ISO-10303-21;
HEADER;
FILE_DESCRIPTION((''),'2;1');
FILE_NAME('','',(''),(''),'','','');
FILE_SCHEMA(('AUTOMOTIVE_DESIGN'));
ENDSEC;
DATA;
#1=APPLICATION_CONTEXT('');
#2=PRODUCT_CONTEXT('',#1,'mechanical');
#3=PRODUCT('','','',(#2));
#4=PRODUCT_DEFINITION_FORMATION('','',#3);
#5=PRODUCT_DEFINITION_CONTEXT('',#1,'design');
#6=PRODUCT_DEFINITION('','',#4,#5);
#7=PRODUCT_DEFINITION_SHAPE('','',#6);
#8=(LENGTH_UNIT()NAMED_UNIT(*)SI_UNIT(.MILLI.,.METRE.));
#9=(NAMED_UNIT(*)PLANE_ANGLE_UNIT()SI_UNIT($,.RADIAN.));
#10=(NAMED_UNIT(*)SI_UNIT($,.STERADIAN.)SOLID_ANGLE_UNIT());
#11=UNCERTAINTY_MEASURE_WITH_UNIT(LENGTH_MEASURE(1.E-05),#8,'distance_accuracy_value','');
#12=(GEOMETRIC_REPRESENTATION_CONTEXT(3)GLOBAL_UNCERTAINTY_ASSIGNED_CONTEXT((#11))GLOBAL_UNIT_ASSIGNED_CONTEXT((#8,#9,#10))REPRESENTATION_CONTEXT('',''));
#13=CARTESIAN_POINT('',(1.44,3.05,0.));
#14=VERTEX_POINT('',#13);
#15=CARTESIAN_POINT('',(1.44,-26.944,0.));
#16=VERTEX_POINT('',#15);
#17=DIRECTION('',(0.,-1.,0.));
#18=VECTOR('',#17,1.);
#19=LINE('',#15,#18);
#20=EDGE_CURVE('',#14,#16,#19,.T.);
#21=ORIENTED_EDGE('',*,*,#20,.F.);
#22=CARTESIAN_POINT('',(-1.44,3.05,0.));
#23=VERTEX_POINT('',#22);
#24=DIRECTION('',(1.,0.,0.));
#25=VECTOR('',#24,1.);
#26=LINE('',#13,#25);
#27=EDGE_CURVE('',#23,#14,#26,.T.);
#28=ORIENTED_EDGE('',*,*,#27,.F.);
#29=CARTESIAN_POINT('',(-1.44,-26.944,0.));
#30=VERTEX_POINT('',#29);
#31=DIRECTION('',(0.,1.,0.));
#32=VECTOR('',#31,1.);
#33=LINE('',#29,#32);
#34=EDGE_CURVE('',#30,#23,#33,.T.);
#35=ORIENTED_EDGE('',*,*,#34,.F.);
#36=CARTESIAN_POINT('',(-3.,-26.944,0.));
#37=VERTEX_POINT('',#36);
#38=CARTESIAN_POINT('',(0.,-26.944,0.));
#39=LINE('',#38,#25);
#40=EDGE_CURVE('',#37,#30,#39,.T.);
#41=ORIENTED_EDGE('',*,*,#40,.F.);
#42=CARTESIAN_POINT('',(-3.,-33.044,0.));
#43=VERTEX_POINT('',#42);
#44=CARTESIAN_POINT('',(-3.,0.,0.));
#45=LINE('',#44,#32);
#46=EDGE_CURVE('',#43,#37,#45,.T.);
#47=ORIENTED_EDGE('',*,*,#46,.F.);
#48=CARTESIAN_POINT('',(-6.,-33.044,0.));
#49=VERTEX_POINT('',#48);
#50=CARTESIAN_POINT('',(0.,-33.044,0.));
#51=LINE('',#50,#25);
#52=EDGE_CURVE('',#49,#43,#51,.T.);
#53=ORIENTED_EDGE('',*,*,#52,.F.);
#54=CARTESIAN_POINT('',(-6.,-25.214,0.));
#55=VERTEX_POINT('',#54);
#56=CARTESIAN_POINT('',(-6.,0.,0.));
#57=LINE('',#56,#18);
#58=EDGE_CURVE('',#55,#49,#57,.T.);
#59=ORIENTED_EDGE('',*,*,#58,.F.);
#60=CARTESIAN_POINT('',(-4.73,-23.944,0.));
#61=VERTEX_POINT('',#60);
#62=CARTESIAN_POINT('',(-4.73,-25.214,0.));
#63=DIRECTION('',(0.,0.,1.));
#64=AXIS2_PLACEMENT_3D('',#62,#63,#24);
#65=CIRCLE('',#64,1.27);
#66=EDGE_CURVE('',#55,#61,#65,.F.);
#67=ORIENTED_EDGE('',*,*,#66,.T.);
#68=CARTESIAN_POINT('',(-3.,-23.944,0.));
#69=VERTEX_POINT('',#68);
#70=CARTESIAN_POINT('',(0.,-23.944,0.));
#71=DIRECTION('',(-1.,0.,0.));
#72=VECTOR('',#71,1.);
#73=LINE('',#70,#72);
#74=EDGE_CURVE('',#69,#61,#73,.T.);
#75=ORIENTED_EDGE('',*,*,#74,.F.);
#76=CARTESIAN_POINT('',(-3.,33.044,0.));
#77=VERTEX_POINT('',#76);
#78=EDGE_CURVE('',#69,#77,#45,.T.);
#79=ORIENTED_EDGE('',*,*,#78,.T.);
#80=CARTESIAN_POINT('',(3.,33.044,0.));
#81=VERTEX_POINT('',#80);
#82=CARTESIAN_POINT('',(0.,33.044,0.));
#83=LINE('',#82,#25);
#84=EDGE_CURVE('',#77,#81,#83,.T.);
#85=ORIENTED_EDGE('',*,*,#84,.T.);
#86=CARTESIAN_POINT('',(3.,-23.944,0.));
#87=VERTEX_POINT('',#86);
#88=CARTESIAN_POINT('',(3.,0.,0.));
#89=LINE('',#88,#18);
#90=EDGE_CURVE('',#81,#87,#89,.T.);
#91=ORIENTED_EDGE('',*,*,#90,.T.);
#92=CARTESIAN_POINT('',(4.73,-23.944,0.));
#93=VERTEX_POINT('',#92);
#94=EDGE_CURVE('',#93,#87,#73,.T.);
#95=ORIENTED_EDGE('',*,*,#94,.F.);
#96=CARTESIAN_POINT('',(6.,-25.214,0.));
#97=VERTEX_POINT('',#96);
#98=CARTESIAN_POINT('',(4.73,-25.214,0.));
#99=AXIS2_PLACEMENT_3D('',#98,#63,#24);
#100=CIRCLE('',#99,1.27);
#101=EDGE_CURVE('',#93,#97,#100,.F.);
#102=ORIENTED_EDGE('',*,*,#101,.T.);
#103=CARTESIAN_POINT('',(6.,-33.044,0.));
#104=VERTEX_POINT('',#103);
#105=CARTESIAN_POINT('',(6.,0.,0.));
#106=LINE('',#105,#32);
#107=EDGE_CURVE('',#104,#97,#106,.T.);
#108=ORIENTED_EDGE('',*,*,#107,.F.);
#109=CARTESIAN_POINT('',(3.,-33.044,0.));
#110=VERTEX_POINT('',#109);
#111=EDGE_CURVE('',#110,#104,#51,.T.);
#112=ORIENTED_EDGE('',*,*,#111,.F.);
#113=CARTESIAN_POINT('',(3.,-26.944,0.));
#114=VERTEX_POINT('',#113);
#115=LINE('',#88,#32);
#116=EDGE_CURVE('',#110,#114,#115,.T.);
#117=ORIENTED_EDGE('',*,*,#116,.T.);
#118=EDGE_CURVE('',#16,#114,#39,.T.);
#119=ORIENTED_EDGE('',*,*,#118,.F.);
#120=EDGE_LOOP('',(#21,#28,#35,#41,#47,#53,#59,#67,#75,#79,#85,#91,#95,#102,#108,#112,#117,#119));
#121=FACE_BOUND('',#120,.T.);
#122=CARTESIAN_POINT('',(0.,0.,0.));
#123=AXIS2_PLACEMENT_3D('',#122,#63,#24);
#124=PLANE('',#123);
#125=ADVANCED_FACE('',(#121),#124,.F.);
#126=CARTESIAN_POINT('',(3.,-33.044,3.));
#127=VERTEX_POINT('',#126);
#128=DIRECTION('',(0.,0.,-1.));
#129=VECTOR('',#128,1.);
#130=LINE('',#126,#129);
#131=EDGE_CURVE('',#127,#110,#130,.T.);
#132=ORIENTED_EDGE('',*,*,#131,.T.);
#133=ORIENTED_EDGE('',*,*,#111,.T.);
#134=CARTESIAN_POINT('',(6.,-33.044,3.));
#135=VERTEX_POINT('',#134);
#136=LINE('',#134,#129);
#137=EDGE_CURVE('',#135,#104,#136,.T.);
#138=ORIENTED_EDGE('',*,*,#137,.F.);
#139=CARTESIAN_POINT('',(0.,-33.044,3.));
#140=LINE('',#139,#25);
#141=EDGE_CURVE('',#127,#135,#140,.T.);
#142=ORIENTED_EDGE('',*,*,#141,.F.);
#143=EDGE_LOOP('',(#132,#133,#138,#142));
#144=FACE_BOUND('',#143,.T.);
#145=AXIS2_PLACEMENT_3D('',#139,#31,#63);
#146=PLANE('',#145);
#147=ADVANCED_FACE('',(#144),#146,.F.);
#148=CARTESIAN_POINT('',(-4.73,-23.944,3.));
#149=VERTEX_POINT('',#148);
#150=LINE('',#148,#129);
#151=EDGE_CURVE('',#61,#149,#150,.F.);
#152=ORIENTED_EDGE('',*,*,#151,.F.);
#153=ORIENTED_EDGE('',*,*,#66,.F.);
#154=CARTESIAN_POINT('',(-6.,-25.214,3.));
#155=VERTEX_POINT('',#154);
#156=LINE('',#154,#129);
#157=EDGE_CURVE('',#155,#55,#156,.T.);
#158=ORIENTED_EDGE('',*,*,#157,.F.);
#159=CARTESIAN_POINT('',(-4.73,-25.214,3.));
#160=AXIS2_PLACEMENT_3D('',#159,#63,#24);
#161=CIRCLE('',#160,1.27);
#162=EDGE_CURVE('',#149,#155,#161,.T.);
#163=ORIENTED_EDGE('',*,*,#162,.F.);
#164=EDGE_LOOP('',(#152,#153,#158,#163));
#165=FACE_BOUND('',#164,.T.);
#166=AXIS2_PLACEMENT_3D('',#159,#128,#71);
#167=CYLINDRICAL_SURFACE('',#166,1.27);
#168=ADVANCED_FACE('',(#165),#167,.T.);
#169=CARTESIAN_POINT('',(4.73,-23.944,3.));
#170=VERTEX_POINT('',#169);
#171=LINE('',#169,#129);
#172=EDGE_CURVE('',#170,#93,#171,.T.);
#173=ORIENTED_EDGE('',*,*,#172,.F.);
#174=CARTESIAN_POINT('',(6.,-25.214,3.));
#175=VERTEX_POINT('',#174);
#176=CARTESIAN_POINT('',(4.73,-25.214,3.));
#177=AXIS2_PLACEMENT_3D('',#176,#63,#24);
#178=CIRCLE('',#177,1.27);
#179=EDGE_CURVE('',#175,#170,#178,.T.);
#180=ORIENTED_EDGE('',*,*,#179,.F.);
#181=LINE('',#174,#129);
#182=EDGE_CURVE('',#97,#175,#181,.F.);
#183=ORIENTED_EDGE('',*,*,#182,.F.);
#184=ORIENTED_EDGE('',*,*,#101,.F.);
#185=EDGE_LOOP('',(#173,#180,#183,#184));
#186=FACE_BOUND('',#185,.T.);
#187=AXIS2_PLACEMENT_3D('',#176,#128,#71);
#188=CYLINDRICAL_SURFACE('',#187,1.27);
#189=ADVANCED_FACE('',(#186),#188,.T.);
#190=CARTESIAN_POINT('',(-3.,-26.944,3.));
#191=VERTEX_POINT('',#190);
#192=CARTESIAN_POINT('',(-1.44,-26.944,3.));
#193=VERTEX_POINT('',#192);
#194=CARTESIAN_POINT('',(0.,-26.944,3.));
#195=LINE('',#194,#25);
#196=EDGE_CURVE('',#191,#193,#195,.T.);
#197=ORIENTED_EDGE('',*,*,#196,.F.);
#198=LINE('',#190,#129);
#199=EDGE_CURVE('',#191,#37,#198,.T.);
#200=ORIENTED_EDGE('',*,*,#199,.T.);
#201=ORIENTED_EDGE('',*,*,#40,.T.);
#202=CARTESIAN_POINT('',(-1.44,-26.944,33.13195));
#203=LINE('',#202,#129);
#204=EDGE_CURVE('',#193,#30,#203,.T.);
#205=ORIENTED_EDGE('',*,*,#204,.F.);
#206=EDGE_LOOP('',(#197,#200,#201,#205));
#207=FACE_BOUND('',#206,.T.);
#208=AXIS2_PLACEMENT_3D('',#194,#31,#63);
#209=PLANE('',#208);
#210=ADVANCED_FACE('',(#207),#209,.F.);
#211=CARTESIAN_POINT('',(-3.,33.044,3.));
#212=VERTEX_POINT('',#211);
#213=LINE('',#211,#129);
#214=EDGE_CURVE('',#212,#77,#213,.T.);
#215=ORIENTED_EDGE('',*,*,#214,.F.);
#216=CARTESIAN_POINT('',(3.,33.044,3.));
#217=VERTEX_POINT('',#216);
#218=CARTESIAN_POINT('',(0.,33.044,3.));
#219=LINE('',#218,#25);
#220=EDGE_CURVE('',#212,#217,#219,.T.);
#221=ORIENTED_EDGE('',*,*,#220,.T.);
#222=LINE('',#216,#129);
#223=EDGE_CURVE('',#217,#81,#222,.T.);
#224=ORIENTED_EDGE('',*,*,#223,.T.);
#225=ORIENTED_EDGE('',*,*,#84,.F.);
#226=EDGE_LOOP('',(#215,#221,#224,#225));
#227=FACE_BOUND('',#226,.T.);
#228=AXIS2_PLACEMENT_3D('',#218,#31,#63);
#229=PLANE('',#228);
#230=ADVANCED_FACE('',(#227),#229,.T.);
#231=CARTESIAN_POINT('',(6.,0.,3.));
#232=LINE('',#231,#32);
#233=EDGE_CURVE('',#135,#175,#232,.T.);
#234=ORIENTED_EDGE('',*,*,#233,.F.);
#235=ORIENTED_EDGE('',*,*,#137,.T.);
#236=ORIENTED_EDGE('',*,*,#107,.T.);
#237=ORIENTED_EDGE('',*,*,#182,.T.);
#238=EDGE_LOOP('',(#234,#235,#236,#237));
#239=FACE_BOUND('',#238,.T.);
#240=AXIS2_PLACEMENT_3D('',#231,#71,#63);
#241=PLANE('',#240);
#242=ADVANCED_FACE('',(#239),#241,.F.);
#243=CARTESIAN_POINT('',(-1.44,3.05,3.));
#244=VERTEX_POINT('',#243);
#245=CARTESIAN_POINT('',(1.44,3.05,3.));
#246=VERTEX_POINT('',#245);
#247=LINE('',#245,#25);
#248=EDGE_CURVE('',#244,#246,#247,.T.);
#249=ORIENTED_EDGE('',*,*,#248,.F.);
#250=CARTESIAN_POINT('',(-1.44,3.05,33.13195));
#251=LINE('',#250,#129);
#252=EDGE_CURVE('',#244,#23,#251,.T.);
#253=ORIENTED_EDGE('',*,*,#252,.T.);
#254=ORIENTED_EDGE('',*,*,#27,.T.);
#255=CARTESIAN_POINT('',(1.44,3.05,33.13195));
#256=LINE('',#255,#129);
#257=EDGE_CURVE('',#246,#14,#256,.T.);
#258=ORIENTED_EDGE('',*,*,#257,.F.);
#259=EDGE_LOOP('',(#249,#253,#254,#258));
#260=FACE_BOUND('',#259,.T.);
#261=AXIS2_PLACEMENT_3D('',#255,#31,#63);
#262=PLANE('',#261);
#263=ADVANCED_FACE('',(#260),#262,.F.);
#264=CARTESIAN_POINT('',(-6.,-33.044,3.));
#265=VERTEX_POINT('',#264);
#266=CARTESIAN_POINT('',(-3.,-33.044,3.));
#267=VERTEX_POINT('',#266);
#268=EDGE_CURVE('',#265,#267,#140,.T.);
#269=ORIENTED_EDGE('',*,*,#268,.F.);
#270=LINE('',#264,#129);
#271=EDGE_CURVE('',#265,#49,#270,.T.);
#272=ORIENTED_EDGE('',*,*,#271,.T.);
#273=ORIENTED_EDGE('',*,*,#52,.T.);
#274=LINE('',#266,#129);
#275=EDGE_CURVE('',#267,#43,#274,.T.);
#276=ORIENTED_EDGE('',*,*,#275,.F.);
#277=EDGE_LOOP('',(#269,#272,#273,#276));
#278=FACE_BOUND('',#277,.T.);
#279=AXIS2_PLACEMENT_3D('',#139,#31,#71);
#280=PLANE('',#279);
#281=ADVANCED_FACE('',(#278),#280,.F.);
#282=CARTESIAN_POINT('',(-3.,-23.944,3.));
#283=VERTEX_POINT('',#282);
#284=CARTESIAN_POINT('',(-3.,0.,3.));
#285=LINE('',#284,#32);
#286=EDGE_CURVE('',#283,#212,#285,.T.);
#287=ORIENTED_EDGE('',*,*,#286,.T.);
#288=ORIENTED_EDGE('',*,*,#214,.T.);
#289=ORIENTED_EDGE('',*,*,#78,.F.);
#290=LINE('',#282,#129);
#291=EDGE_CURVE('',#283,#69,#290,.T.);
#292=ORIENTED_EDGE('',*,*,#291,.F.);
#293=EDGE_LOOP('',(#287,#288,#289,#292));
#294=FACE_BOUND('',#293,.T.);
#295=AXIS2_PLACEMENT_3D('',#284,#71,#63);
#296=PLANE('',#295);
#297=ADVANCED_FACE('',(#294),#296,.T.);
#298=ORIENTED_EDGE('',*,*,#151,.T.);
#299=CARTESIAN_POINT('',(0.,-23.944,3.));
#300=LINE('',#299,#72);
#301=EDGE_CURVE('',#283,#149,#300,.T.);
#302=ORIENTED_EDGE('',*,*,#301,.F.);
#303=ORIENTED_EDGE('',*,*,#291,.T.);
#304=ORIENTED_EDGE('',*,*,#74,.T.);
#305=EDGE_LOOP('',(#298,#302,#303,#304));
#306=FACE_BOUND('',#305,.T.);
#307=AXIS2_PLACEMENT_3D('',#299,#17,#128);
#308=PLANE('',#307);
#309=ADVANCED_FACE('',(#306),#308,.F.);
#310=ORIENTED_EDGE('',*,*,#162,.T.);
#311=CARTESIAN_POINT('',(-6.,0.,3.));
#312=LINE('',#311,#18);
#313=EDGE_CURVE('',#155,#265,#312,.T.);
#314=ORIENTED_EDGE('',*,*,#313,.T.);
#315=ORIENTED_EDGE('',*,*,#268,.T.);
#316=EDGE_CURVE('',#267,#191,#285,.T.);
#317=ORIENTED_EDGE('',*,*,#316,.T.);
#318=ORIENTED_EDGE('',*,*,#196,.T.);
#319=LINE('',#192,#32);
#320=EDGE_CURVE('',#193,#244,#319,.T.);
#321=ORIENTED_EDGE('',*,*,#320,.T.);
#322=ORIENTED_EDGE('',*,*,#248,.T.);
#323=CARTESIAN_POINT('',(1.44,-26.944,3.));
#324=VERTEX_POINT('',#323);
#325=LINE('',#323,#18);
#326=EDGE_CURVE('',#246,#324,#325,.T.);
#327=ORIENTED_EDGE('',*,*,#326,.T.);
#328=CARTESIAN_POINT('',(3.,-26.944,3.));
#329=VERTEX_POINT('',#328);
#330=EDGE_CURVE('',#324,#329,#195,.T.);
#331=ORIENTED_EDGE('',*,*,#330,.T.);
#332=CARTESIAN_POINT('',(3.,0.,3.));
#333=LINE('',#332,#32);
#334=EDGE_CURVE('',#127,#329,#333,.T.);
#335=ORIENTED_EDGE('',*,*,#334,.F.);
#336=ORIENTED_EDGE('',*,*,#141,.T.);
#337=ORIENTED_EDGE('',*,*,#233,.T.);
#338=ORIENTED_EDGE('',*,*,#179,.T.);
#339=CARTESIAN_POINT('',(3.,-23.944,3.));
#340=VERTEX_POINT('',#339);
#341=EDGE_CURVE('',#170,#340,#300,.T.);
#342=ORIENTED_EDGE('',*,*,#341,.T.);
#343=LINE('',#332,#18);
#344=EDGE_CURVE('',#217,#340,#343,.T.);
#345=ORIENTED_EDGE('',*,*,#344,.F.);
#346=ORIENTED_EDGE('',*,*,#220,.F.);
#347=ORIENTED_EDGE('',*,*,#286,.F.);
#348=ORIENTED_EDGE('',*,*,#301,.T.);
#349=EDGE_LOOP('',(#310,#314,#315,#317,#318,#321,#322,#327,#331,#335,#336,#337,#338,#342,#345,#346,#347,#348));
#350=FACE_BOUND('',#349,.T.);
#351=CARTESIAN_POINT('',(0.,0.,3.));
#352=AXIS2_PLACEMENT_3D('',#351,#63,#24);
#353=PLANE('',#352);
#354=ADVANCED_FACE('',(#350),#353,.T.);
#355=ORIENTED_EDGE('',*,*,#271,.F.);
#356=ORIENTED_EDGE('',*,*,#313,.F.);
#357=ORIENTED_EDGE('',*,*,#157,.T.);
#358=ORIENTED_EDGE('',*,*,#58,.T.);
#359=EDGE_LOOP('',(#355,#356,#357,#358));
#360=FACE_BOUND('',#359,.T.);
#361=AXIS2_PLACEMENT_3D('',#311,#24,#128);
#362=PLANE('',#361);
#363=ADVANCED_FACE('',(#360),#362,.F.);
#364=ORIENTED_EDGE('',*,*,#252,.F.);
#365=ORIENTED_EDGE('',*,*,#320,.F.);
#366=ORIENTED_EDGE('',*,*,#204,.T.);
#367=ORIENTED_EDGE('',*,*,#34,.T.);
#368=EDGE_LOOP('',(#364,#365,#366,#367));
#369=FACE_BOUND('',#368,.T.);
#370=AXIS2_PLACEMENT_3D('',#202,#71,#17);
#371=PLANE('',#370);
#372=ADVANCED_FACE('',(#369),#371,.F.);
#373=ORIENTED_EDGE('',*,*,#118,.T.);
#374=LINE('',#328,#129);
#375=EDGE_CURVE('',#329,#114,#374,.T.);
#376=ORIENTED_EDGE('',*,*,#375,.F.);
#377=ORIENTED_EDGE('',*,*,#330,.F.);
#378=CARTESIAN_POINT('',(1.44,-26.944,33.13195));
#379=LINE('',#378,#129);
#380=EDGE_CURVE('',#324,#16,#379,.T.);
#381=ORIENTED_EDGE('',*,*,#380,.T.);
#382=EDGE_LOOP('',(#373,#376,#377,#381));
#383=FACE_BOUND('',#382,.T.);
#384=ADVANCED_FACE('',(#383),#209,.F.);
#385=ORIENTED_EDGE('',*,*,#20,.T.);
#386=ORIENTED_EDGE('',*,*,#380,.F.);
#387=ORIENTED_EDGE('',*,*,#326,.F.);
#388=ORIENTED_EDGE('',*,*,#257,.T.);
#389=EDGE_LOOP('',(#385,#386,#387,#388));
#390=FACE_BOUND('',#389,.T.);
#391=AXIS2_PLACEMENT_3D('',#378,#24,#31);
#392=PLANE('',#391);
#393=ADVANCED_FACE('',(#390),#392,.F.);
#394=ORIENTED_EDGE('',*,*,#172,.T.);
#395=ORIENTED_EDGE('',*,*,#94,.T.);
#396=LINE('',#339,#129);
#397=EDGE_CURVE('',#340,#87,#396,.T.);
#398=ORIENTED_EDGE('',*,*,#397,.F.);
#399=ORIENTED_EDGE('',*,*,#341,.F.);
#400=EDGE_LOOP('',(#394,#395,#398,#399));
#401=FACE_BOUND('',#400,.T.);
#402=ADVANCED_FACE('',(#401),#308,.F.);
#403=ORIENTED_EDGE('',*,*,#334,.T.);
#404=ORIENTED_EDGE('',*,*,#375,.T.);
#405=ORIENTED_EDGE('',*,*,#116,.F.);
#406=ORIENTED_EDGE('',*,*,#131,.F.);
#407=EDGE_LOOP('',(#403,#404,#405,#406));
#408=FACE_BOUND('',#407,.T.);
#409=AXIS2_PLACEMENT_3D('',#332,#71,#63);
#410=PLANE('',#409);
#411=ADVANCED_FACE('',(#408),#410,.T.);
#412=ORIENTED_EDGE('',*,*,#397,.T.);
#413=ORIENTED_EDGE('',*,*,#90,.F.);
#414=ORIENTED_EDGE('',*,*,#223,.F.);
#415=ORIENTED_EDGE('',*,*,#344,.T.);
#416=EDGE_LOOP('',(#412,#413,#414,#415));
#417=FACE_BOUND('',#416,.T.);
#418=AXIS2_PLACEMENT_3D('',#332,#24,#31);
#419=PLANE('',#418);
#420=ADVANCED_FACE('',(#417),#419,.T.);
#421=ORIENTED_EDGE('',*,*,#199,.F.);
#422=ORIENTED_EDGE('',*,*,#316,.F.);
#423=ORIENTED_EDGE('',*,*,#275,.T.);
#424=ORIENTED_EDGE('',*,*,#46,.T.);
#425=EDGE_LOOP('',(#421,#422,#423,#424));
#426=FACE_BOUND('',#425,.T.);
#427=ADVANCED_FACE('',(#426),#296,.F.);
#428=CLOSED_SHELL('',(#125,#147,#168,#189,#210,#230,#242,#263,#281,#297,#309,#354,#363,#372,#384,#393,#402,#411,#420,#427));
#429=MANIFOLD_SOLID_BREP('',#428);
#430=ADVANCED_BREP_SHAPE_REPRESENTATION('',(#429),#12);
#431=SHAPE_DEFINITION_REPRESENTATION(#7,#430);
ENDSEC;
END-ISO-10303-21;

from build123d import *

# Parameters (mm, degrees)
EXTRUDE_1_DEPTH     = 3
FILLET_1_R          = 1.27
SKETCH_2_W          = 2.88
SKETCH_2_H          = 29.994
CUT_EXTRUDE_1_DEPTH = 3


with BuildPart() as part:
    # 스케치1 → 보스-돌출1 (new body)
    with BuildSketch(Plane.XY):
        Polygon((-3, 33.044), (3, 33.044), (3, -23.944), (6, -23.944), (6, -33.044), (3, -33.044), (3, -26.944), (-3, -26.944), (-3, -33.044), (-6, -33.044), (-6, -23.944), (-3, -23.944), align=None)
    extrude(amount=EXTRUDE_1_DEPTH)

    # 필렛1
    fillet_1_edges = [part.edges().sort_by_distance(p)[0] for p in [
        (6, -23.944, 1.5),
        (-6, -23.944, 1.5),
    ]]
    fillet(fillet_1_edges, radius=FILLET_1_R)

    # 스케치2 → 컷-돌출1 (cut)
    with BuildSketch(Plane(origin=(0, 0, 0), x_dir=(-1, 0, 0), z_dir=(0, 0, -1))):
        with Locations((0, -11.947)):
            Rectangle(SKETCH_2_W, SKETCH_2_H)
    extrude(amount=-CUT_EXTRUDE_1_DEPTH, mode=Mode.SUBTRACT)


solid = part.part
